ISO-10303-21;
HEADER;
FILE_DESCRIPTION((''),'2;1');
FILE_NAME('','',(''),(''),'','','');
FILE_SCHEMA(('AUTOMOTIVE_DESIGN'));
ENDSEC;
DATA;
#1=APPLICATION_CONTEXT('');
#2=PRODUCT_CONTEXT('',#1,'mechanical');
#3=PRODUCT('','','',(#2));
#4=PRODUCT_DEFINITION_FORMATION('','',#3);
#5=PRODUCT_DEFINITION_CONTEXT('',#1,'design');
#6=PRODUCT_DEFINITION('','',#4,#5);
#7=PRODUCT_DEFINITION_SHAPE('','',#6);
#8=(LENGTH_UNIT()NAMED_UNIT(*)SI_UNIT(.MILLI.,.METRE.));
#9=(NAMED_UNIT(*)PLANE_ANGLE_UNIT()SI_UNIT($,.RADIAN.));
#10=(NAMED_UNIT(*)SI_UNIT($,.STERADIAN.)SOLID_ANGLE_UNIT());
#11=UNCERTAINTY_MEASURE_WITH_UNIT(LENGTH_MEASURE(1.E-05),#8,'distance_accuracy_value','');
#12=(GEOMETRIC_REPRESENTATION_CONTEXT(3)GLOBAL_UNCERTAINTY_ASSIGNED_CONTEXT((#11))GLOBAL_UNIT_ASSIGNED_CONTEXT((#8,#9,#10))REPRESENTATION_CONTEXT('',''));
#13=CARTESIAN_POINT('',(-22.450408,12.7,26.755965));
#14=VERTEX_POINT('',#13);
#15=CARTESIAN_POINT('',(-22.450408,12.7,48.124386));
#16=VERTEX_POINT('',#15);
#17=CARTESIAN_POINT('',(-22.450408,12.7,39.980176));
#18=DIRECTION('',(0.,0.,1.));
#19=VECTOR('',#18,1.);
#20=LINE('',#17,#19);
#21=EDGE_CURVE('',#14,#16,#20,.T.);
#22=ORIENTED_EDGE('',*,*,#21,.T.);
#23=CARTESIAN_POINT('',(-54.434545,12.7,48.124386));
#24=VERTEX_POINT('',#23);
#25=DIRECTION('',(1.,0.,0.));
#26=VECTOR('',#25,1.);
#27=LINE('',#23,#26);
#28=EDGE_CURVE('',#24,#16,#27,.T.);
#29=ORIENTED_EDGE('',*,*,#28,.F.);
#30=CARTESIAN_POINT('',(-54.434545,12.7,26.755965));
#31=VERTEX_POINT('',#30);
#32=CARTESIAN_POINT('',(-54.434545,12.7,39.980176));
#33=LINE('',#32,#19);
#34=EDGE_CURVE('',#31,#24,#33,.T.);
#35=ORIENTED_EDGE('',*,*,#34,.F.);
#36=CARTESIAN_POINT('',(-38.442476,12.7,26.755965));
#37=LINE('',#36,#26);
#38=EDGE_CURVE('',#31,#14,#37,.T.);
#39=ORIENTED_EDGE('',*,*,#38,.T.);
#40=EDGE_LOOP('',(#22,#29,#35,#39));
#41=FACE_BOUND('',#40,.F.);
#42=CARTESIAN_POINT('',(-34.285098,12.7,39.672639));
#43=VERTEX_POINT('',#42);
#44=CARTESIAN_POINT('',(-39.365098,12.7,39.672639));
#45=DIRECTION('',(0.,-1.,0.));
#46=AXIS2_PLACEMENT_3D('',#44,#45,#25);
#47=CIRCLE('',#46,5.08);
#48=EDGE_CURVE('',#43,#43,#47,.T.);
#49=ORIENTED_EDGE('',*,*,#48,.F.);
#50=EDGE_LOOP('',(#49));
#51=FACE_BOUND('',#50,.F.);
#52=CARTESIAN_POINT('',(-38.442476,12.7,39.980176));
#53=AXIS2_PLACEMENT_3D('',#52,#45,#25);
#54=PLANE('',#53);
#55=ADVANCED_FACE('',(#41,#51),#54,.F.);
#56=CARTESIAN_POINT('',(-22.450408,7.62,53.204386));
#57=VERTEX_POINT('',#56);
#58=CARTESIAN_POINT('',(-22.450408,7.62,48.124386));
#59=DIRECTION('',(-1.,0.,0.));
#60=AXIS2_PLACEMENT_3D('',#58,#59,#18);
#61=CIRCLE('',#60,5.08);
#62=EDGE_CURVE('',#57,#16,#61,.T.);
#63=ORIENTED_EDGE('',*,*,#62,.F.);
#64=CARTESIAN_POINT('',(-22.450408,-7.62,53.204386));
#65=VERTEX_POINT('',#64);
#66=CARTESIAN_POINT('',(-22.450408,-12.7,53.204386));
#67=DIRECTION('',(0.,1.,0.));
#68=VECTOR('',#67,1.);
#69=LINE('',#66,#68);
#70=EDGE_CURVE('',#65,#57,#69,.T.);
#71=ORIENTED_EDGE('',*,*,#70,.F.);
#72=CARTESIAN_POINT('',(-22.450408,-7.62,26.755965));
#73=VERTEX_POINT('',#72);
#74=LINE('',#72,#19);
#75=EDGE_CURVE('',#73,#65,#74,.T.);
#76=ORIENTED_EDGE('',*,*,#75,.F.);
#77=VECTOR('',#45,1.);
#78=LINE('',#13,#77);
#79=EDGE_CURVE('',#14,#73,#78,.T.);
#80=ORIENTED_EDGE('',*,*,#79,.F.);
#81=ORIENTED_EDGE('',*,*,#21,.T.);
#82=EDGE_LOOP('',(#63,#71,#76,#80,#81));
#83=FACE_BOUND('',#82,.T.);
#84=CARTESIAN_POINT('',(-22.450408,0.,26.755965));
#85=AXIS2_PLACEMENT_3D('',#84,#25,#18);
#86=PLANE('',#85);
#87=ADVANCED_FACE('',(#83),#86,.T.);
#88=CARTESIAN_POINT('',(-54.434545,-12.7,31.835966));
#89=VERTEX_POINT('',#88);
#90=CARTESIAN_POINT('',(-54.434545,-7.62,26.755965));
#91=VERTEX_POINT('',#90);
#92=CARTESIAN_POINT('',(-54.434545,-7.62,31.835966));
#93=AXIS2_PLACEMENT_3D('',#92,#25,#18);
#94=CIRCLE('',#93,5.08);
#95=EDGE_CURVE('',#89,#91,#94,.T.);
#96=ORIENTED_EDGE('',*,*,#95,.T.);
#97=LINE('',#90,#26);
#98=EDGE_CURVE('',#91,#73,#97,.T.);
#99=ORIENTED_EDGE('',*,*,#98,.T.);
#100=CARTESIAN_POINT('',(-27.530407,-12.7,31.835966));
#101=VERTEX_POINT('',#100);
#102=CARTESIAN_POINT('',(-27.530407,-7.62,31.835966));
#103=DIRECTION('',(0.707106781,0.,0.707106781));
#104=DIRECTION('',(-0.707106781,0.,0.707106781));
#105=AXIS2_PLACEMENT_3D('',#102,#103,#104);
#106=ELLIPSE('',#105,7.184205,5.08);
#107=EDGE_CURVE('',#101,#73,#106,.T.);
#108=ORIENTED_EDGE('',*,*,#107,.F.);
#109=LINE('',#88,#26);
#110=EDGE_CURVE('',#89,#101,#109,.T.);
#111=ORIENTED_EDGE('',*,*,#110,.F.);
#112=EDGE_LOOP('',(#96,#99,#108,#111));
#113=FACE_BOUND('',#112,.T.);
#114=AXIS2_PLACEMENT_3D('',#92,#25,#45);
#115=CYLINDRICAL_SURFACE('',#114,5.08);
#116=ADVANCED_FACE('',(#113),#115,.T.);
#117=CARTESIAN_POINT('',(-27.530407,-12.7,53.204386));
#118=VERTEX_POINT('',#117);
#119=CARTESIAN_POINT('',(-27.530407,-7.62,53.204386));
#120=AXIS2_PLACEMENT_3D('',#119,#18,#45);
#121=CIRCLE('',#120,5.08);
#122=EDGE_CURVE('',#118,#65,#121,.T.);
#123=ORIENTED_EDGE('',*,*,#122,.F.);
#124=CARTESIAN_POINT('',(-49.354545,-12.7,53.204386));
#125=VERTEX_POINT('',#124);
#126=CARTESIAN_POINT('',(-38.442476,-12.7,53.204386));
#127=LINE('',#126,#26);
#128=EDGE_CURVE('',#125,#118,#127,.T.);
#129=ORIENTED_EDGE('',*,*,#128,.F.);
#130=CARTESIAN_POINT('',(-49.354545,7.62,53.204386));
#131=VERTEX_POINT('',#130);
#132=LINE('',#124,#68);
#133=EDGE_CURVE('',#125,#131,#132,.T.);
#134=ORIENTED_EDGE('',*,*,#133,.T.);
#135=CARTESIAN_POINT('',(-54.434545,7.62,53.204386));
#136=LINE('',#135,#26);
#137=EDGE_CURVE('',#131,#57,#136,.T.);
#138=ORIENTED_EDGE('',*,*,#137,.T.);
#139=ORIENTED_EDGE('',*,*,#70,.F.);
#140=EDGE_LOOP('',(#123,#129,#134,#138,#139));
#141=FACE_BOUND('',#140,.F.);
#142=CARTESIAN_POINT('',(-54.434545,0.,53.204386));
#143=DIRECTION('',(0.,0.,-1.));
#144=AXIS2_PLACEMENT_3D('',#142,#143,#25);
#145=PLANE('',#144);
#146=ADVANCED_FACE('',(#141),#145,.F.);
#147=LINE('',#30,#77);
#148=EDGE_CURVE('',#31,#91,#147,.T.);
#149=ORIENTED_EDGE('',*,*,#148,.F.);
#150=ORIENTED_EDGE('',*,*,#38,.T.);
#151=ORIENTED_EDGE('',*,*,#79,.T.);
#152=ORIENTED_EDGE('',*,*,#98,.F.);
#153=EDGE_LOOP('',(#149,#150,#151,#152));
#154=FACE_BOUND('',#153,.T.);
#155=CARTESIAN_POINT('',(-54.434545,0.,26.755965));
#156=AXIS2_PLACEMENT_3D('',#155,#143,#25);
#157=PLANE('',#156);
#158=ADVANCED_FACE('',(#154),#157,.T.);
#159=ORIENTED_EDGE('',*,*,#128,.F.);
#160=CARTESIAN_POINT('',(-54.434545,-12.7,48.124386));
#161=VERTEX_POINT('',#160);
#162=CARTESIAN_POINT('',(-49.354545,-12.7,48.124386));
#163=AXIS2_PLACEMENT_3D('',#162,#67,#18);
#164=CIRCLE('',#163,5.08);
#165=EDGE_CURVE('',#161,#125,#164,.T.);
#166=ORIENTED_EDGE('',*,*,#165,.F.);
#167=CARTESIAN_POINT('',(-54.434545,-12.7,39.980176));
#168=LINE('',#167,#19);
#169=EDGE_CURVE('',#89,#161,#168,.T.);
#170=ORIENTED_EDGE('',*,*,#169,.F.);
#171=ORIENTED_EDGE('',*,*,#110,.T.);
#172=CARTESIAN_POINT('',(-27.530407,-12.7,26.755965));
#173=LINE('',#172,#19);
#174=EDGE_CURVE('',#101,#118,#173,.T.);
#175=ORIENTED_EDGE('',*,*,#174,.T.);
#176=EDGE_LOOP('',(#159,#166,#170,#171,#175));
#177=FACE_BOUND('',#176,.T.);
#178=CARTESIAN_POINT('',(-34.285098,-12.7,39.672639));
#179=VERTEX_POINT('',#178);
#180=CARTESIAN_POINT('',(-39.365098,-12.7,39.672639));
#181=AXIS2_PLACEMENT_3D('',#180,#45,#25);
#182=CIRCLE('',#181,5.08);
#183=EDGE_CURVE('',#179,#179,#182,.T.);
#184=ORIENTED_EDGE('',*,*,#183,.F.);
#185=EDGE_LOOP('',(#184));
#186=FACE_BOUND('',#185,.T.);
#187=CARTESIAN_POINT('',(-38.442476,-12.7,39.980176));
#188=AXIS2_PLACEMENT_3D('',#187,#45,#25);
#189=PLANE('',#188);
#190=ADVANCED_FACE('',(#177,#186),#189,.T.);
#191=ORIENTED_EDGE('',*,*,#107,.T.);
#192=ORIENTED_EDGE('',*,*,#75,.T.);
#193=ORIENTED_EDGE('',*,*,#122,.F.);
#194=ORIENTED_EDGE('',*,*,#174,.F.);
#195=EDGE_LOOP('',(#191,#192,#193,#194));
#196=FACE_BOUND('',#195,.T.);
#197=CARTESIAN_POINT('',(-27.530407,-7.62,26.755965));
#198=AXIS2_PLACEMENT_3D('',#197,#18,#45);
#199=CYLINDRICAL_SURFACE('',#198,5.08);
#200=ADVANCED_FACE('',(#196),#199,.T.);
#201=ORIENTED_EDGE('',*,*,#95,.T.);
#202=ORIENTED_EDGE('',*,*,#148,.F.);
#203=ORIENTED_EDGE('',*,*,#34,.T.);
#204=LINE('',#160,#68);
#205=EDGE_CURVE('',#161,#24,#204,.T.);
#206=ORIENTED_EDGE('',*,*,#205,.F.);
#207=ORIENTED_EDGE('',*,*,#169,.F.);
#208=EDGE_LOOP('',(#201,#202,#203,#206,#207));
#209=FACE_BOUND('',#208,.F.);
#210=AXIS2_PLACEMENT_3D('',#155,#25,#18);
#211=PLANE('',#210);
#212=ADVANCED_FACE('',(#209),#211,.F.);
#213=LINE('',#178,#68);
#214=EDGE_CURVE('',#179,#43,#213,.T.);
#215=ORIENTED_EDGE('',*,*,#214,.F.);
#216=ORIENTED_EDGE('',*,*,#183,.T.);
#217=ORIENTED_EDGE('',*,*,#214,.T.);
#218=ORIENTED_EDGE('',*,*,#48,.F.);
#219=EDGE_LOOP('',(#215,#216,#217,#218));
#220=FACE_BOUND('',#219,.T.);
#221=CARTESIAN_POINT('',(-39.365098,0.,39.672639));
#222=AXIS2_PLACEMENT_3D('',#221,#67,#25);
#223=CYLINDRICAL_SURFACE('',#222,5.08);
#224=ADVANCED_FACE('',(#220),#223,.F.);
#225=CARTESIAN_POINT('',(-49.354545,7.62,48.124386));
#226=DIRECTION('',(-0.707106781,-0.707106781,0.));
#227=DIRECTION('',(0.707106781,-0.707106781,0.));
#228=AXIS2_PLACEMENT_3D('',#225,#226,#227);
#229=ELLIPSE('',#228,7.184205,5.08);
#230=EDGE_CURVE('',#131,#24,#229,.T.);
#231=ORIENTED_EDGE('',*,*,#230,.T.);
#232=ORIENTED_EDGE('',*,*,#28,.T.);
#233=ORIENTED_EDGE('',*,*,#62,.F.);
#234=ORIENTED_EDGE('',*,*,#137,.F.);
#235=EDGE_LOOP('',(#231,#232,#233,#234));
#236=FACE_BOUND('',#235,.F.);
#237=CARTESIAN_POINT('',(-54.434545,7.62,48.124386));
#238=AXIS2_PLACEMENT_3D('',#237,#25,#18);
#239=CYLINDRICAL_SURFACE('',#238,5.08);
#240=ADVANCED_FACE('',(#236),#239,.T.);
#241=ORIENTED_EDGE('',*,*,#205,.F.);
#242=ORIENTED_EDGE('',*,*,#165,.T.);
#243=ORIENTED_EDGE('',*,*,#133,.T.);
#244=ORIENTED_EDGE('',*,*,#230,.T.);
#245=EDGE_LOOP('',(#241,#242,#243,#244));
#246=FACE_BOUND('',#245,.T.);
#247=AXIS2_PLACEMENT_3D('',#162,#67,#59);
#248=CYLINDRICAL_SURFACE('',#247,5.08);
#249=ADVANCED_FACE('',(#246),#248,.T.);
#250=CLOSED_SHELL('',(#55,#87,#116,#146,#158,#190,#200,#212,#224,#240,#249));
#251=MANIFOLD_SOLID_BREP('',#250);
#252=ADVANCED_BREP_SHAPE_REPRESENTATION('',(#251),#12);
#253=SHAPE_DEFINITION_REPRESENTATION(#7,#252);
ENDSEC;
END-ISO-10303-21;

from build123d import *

# Parameters (mm, degrees)
F0_W     = 31.984137
F0_H     = 26.448421
F0_R     = 5.08
F1_DEPTH = 12.7
F2_R     = 5.08


with BuildPart() as f1:
    # F0 (on Front) → F1 (new body, symmetric)
    with BuildSketch(Plane.XZ):
        with Locations((-38.442476, 39.980176)):
            Rectangle(F0_W, F0_H)
        with Locations((-39.365098, 39.672639)):
            Circle(F0_R, mode=Mode.SUBTRACT)
    extrude(amount=F1_DEPTH, both=True)

    # F2
    f2_edges = [f1.edges().sort_by_distance(p)[0] for p in [
        (-38.442477, 12.7, 53.204387),
        (-54.434545, 0, 53.204387),
        (-22.450408, -12.7, 39.980177),
        (-38.442477, -12.7, 26.755966),
    ]]
    fillet(f2_edges, radius=F2_R)


solid = f1.part
